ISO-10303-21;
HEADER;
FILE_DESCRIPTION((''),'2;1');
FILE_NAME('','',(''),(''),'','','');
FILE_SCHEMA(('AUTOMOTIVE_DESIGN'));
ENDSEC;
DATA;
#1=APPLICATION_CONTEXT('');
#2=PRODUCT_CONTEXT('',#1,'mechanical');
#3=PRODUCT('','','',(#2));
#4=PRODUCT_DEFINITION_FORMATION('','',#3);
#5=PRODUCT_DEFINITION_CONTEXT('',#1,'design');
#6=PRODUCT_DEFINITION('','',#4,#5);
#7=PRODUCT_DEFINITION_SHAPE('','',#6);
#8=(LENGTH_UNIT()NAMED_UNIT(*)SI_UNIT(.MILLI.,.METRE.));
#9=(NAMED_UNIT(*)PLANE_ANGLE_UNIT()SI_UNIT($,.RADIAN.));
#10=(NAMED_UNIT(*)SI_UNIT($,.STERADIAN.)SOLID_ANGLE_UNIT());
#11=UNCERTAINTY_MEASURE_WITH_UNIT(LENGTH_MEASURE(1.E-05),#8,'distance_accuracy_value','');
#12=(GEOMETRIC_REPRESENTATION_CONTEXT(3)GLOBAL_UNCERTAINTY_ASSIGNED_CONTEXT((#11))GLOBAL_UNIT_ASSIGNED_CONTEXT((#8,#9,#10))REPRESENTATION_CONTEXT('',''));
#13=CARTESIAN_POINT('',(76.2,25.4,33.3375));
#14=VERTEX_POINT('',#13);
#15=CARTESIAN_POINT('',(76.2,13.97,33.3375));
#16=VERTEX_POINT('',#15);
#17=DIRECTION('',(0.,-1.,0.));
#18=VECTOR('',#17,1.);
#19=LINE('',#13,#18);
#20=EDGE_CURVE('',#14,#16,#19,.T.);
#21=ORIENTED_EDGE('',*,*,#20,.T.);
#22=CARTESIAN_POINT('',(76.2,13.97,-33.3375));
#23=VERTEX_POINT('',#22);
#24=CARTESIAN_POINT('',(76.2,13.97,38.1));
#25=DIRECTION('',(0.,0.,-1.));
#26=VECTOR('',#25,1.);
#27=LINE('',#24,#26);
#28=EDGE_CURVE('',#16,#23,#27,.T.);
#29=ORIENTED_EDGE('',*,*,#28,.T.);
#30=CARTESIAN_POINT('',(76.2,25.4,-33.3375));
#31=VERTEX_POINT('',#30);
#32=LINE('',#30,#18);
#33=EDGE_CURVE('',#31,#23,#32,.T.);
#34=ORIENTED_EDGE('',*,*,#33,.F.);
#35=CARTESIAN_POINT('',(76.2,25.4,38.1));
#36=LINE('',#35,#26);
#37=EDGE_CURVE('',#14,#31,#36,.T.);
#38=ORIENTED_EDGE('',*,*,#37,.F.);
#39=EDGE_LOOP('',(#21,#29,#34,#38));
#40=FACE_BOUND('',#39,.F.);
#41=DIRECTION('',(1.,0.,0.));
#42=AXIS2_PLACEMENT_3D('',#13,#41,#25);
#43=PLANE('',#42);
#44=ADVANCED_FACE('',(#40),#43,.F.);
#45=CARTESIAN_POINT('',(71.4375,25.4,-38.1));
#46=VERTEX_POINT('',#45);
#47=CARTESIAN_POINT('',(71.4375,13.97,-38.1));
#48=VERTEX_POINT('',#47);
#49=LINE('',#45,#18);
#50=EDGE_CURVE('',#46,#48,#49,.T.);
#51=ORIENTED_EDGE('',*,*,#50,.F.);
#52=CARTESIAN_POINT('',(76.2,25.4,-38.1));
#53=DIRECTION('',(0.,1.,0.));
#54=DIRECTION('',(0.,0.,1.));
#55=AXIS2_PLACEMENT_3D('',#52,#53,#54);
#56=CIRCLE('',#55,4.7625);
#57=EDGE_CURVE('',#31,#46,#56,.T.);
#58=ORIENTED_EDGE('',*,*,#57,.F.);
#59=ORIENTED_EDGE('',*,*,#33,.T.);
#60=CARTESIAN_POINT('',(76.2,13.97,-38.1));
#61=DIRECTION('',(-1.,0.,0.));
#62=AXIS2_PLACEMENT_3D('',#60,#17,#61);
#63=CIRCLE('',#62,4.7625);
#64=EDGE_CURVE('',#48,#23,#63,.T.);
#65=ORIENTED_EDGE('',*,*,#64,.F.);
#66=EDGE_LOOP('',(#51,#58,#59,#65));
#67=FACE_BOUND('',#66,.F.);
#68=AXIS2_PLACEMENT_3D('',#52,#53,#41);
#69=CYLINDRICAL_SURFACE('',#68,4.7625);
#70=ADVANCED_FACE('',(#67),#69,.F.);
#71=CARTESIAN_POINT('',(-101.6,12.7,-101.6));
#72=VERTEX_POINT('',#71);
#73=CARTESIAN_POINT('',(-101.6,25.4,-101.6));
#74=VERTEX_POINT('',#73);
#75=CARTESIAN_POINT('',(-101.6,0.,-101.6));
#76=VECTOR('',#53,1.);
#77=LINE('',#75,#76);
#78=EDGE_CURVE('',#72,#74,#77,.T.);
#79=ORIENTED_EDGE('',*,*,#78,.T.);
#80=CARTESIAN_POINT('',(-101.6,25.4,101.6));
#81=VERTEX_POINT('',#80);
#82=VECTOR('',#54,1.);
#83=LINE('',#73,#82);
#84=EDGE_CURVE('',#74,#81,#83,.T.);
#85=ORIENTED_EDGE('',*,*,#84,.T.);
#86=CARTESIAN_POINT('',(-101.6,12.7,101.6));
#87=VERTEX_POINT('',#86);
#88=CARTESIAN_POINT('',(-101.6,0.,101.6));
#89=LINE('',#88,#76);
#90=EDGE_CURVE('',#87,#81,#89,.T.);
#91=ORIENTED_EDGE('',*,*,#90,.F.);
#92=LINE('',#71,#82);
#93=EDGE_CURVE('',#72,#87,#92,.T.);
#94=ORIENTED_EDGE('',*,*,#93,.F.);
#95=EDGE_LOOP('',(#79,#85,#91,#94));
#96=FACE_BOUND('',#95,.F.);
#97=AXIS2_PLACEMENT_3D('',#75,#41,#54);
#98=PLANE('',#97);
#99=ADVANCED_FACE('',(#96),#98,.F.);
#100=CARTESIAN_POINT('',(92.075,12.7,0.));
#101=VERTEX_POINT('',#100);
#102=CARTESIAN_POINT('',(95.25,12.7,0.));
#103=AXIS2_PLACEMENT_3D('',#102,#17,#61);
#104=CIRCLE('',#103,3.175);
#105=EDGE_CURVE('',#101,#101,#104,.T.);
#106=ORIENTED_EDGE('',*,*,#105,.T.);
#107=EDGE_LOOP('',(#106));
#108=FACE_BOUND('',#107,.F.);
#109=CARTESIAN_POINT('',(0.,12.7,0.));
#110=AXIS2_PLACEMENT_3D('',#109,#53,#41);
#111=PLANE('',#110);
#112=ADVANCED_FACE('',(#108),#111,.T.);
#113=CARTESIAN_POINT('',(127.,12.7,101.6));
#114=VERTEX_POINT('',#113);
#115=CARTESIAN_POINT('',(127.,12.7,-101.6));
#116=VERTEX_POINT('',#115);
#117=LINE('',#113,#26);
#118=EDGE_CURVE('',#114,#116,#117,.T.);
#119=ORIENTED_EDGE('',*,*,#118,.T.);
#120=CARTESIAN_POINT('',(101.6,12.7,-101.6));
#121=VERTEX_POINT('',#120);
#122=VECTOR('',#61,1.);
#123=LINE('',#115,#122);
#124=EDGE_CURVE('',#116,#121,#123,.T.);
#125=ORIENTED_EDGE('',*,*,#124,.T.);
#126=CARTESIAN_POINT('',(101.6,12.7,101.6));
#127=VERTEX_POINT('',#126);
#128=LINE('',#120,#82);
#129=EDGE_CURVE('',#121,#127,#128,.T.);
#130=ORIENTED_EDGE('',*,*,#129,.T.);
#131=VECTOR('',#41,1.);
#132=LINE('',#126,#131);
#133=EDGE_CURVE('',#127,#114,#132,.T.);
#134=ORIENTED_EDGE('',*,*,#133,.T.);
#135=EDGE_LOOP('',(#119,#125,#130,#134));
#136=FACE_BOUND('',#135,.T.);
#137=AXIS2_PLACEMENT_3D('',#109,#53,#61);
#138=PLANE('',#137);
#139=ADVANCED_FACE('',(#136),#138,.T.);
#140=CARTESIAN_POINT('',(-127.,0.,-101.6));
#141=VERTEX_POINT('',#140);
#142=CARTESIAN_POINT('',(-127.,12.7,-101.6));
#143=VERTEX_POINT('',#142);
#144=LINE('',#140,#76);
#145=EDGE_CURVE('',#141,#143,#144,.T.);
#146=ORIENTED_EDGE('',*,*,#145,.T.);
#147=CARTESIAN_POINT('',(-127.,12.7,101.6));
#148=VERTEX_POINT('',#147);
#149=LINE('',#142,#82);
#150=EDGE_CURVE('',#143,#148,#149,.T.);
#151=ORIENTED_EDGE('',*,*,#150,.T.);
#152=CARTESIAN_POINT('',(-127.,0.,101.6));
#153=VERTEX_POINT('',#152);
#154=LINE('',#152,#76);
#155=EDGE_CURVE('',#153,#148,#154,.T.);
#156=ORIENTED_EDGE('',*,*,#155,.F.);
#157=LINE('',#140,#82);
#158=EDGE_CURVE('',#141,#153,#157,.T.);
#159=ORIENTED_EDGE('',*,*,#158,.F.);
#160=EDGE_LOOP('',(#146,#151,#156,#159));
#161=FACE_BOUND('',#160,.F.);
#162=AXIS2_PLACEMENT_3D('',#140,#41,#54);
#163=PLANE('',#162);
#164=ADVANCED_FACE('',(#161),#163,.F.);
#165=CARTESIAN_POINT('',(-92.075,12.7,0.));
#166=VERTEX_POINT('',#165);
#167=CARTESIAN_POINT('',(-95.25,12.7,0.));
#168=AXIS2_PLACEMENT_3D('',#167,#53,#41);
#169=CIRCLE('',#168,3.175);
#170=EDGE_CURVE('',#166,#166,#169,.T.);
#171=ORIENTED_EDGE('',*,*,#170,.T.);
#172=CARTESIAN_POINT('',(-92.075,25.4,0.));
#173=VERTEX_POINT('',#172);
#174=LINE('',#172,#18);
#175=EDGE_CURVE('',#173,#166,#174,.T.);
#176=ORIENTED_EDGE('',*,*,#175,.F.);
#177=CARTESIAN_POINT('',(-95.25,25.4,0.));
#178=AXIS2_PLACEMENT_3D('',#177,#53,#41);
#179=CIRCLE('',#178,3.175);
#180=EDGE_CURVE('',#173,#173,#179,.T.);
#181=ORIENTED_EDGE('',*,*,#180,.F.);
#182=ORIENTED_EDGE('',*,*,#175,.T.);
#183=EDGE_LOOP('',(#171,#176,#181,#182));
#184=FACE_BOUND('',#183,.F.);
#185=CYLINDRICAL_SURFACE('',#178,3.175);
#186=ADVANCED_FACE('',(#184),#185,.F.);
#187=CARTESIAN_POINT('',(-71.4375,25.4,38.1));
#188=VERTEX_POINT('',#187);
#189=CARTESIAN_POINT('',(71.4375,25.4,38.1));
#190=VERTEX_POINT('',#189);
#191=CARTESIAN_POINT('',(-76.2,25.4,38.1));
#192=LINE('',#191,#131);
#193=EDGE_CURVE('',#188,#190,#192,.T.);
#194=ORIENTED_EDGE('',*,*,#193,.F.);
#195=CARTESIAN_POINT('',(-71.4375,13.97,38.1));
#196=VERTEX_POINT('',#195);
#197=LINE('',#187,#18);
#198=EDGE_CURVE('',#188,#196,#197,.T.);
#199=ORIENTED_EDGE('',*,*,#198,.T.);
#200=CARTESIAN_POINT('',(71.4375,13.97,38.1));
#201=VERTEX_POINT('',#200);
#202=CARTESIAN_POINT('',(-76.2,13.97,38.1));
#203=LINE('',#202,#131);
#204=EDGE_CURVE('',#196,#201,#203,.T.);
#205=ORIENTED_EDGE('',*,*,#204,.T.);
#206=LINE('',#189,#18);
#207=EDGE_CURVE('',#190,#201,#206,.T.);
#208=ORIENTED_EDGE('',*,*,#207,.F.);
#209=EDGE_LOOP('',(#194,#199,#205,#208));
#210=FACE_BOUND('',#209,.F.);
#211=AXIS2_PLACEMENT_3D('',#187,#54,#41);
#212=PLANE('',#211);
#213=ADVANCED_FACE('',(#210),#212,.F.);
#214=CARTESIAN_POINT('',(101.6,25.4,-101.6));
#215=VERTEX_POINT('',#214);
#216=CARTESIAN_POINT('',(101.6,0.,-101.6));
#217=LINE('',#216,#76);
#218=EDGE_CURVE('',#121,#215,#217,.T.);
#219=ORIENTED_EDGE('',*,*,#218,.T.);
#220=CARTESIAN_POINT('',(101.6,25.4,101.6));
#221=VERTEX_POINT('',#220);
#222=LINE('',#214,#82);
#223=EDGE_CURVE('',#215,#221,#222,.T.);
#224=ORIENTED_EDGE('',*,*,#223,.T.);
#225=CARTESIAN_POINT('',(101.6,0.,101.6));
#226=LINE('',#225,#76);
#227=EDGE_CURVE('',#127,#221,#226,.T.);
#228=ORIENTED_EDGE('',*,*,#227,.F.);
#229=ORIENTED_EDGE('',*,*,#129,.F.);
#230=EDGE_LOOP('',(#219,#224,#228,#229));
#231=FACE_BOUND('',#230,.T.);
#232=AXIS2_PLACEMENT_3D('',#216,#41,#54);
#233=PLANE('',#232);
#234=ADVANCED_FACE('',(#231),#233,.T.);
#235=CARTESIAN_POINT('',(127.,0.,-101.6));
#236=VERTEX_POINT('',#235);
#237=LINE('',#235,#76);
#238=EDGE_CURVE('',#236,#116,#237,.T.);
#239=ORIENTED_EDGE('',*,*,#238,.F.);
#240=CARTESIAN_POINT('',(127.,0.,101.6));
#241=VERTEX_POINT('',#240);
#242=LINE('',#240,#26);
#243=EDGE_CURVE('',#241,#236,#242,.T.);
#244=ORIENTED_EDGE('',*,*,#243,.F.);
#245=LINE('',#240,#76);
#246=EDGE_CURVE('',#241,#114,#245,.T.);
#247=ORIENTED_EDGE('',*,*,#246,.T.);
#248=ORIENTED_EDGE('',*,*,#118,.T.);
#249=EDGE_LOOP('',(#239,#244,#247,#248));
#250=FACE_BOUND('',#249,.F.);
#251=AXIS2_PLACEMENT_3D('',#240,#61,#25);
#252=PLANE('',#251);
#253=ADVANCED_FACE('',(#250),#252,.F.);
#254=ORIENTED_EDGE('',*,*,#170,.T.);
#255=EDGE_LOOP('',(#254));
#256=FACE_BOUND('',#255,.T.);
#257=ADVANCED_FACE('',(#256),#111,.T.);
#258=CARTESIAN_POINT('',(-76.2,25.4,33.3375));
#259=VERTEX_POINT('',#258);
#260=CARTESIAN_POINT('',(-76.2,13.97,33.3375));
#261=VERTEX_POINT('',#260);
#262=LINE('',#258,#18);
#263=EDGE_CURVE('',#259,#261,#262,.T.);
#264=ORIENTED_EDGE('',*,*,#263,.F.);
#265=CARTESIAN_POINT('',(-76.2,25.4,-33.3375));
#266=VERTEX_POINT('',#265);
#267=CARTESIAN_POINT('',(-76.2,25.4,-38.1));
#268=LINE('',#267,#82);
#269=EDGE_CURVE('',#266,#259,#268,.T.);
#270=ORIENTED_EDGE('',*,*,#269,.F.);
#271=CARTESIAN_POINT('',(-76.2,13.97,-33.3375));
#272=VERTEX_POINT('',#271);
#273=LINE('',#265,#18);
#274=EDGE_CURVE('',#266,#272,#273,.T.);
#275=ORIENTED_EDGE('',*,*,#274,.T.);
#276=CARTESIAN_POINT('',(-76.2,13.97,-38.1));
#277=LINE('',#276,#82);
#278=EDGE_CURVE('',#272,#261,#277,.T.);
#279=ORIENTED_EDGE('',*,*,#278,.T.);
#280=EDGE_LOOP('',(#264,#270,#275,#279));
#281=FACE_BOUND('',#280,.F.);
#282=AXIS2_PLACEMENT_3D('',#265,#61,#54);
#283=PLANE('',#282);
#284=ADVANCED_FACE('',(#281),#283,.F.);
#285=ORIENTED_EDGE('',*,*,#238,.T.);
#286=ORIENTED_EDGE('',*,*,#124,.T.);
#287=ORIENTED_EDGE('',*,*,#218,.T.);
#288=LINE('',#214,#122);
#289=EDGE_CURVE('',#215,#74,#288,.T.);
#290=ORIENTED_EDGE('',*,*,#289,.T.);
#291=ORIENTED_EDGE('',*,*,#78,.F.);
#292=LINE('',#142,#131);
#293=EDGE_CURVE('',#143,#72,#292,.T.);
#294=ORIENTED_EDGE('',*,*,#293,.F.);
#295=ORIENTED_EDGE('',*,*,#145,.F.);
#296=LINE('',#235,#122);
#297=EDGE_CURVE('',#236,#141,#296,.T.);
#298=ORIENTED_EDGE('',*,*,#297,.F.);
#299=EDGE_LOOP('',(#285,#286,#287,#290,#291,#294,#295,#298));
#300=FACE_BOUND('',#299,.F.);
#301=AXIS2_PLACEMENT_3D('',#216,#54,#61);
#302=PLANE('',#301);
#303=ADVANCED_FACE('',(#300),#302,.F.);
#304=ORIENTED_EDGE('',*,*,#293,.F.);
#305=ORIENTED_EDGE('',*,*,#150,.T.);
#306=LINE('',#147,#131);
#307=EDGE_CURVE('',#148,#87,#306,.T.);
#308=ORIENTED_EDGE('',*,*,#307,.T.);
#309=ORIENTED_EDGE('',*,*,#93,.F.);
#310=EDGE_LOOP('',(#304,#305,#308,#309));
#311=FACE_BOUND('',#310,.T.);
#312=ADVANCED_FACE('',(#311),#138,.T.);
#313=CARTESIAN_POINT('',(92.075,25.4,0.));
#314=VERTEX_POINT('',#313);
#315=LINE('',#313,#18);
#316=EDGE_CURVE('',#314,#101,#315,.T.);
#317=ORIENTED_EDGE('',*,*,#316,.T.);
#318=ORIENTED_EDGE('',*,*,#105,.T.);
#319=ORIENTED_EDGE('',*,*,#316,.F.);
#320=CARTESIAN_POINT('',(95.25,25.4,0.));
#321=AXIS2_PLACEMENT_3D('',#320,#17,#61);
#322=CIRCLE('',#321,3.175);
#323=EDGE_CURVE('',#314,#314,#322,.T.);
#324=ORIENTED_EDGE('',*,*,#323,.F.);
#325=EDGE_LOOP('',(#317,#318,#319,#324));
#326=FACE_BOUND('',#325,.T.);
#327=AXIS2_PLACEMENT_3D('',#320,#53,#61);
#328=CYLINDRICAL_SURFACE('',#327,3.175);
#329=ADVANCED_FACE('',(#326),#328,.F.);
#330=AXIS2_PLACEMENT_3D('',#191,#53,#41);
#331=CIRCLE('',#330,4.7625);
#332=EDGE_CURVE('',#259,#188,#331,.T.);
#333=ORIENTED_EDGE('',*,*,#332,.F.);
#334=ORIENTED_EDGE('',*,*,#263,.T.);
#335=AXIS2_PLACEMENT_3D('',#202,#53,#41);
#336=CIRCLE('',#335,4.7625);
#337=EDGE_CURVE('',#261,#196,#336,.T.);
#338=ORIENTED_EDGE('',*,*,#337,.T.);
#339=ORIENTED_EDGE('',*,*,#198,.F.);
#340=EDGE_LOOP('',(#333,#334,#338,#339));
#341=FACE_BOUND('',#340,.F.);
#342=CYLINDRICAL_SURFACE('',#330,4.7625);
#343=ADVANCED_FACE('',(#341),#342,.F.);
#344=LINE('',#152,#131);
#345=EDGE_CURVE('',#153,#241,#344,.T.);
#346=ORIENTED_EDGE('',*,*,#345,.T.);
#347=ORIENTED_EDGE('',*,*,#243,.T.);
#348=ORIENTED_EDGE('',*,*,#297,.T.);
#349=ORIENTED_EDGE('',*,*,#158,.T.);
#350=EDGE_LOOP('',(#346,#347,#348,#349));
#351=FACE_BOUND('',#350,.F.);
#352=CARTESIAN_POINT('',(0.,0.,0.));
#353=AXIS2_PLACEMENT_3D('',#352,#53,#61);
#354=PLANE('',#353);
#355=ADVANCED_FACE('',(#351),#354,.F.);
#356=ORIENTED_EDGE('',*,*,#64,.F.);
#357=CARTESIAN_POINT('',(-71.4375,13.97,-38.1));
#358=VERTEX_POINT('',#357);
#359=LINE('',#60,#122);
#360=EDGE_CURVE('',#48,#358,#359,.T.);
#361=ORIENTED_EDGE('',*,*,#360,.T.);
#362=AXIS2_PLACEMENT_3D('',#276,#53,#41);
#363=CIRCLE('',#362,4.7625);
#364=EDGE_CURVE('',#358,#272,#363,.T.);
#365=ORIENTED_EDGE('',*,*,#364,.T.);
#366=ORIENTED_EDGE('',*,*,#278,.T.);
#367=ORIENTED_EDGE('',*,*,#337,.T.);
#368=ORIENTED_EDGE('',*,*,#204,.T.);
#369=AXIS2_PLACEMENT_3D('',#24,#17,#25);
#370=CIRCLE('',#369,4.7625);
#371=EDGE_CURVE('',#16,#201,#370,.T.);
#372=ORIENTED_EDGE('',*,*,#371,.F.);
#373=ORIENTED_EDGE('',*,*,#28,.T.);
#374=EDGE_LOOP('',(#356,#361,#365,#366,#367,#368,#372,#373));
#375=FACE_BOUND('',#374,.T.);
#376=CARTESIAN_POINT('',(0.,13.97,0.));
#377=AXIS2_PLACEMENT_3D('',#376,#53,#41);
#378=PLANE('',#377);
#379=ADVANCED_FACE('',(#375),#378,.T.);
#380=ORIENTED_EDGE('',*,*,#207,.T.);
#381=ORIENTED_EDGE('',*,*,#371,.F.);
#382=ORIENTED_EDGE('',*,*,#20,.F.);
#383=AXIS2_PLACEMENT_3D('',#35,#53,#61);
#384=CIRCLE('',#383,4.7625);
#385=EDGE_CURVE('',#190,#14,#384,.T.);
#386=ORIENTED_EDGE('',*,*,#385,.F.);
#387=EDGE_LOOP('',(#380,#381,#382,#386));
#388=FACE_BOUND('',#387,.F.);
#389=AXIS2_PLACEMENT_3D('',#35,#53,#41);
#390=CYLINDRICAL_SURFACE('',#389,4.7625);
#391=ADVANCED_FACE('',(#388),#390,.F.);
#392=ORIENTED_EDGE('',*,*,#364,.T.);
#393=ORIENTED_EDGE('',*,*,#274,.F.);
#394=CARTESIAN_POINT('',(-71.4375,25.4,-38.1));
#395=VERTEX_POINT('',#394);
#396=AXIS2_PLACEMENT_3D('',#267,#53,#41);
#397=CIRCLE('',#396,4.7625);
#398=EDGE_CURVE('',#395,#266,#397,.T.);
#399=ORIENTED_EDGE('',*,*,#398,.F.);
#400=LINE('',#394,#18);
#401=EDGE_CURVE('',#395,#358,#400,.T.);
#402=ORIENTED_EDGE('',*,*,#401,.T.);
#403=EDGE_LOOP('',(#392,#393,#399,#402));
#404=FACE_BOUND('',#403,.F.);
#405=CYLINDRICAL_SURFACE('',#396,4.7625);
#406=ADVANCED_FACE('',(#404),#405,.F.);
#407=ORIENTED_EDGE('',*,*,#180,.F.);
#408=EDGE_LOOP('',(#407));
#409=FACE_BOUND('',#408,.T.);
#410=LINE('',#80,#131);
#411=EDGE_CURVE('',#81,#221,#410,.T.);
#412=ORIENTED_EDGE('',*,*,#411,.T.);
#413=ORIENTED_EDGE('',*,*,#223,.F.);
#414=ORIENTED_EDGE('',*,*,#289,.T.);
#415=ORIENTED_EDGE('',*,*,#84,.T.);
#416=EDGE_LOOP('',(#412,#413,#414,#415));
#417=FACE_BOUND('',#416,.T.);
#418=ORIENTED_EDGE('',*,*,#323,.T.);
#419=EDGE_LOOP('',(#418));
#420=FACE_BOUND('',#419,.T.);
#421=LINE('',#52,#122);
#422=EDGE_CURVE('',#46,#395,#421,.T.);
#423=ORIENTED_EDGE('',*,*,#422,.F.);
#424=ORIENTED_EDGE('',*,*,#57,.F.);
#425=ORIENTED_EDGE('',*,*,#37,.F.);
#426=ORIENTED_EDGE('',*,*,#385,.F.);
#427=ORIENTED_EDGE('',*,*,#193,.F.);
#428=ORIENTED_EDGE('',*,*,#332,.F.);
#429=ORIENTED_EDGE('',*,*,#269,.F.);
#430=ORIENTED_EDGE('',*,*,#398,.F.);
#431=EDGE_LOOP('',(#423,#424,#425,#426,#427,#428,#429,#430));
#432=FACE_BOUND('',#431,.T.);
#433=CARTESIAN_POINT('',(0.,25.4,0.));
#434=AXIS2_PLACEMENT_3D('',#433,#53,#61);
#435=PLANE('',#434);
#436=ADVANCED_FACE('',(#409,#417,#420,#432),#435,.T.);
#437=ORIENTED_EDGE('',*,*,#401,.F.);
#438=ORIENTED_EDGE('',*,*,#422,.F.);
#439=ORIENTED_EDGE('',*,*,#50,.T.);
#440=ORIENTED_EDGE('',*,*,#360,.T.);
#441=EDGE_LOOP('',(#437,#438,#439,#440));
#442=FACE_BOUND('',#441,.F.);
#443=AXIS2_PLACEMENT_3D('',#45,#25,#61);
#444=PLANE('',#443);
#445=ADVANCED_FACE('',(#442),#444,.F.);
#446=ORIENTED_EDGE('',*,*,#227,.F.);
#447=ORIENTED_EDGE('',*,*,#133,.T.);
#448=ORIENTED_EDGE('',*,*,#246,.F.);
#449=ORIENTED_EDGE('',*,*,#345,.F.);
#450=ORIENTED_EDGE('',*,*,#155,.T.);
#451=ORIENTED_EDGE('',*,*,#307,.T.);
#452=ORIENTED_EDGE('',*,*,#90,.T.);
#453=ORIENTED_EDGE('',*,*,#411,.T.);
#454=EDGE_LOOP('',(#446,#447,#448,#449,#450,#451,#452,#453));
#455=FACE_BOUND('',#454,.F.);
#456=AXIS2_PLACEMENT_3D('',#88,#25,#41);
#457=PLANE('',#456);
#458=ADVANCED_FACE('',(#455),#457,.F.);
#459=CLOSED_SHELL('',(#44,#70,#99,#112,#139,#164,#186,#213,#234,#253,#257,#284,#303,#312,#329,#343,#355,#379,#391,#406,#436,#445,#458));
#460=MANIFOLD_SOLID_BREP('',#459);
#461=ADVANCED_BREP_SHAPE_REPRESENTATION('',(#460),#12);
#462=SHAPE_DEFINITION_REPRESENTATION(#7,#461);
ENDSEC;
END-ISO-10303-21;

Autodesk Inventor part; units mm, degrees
ref_plane "YZ Plane" through (0, 0, 0) normal (1, 0, 0) x (0, 1, 0)
ref_plane "XZ Plane" through (0, 0, 0) normal (0, 1, 0) x (-1, 0, 0)
ref_plane "XY Plane" through (0, 0, 0) normal (0, 0, 1) x (1, 0, 0)
sketch "Sketch1" plane through (0, 0, 0) normal (0, 1, 0) x (-1, 0, 0)
  line L0 (127, 101.6) -> (101.6, 101.6)
  line L1 (-127, 101.6) -> (-127, -101.6)
  line L2 (-127, -101.6) -> (-101.6, -101.6)
  line L3 (127, -101.6) -> (127, 101.6)
  line L4 (127, 101.6) -> (-127, -101.6) construction
  line L5 (-127, 101.6) -> (127, -101.6) construction
  line L6 (127, -101.6) -> (101.6, -101.6)
  line L7 (101.6, -101.6) -> (101.6, 101.6)
  line L8 (101.6, 101.6) -> (127, 101.6)
  line L9 (127, 101.6) -> (127, -101.6)
  line L10 (-127, -101.6) -> (-101.6, -101.6)
  line L11 (-101.6, -101.6) -> (-101.6, 101.6)
  line L12 (-101.6, 101.6) -> (-127, 101.6)
  line L13 (-127, 101.6) -> (-127, -101.6)
  line L14 (101.6, -101.6) -> (127, -101.6)
  line L15 (101.6, 101.6) -> (-101.6, 101.6)
  line L16 (-101.6, 101.6) -> (-127, 101.6)
  line L17 (-101.6, -101.6) -> (101.6, -101.6)
  point P0 (0, 0)
  dimension "d0" = 254
  dimension "d1" = 203.2
  dimension "d2" = 25.4
  dimension "d3" = 25.4
extrude "Extrusion1" add sketch "Sketch1" along normal blind 25.4 contours L7 L17 L11 L15
extrude "Extrusion2" add sketch "Sketch1" along normal blind 12.7 contours L3 L6 L7 L0 | L11 L2 L1 L12
sketch "Sketch2" plane through (0, 25.4, 0) normal (0, 1, 0) x (1, 0, 0)
  line L0 (-76.2, -38.1) -> (76.2, -38.1)
  line L1 (76.2, -38.1) -> (76.2, 38.1)
  line L2 (76.2, 38.1) -> (-76.2, 38.1)
  line L3 (-76.2, 38.1) -> (-76.2, -38.1)
  line L4 (-76.2, -38.1) -> (76.2, 38.1) construction
  line L5 (76.2, -38.1) -> (-76.2, 38.1) construction
  circle A0 centre (-76.2, 38.1) radius 4.7625
  circle A1 centre (76.2, 38.1) radius 4.7625
  circle A2 centre (76.2, -38.1) radius 4.7625
  circle A3 centre (-76.2, -38.1) radius 4.7625
  point P0 (0, 0)
  dimension "d8" = 152.4
  dimension "d9" = 76.2
  dimension "d10" = 9.525
  dimension "d11" = 9.525
  dimension "d12" = 9.525
  dimension "d13" = 9.525
extrude "Extrusion3" cut sketch "Sketch2" against normal blind 11.43
sketch "Sketch3" plane through (0, 25.4, 0) normal (0, 1, 0) x (1, 0, 0)
  circle A0 centre (-95.25, 0) radius 3.175
  line L0 (-76.2, -33.3375) -> (-76.2, 33.3375) projected
  point P0 (0, 0)
  dimension "d16" = 6.35
  dimension "d17" = 19.05
extrude "Extrusion4" cut sketch "Sketch3" against normal blind 12.7
mirror "Mirror1" about plane through (0, 0, 0) normal (1, 0, 0) of "Extrusion4"
equation "\"d11\" = d10"
equation "\"d12\" = d10"
equation "\"d13\" = d10"
properties part number "Case Jig"
